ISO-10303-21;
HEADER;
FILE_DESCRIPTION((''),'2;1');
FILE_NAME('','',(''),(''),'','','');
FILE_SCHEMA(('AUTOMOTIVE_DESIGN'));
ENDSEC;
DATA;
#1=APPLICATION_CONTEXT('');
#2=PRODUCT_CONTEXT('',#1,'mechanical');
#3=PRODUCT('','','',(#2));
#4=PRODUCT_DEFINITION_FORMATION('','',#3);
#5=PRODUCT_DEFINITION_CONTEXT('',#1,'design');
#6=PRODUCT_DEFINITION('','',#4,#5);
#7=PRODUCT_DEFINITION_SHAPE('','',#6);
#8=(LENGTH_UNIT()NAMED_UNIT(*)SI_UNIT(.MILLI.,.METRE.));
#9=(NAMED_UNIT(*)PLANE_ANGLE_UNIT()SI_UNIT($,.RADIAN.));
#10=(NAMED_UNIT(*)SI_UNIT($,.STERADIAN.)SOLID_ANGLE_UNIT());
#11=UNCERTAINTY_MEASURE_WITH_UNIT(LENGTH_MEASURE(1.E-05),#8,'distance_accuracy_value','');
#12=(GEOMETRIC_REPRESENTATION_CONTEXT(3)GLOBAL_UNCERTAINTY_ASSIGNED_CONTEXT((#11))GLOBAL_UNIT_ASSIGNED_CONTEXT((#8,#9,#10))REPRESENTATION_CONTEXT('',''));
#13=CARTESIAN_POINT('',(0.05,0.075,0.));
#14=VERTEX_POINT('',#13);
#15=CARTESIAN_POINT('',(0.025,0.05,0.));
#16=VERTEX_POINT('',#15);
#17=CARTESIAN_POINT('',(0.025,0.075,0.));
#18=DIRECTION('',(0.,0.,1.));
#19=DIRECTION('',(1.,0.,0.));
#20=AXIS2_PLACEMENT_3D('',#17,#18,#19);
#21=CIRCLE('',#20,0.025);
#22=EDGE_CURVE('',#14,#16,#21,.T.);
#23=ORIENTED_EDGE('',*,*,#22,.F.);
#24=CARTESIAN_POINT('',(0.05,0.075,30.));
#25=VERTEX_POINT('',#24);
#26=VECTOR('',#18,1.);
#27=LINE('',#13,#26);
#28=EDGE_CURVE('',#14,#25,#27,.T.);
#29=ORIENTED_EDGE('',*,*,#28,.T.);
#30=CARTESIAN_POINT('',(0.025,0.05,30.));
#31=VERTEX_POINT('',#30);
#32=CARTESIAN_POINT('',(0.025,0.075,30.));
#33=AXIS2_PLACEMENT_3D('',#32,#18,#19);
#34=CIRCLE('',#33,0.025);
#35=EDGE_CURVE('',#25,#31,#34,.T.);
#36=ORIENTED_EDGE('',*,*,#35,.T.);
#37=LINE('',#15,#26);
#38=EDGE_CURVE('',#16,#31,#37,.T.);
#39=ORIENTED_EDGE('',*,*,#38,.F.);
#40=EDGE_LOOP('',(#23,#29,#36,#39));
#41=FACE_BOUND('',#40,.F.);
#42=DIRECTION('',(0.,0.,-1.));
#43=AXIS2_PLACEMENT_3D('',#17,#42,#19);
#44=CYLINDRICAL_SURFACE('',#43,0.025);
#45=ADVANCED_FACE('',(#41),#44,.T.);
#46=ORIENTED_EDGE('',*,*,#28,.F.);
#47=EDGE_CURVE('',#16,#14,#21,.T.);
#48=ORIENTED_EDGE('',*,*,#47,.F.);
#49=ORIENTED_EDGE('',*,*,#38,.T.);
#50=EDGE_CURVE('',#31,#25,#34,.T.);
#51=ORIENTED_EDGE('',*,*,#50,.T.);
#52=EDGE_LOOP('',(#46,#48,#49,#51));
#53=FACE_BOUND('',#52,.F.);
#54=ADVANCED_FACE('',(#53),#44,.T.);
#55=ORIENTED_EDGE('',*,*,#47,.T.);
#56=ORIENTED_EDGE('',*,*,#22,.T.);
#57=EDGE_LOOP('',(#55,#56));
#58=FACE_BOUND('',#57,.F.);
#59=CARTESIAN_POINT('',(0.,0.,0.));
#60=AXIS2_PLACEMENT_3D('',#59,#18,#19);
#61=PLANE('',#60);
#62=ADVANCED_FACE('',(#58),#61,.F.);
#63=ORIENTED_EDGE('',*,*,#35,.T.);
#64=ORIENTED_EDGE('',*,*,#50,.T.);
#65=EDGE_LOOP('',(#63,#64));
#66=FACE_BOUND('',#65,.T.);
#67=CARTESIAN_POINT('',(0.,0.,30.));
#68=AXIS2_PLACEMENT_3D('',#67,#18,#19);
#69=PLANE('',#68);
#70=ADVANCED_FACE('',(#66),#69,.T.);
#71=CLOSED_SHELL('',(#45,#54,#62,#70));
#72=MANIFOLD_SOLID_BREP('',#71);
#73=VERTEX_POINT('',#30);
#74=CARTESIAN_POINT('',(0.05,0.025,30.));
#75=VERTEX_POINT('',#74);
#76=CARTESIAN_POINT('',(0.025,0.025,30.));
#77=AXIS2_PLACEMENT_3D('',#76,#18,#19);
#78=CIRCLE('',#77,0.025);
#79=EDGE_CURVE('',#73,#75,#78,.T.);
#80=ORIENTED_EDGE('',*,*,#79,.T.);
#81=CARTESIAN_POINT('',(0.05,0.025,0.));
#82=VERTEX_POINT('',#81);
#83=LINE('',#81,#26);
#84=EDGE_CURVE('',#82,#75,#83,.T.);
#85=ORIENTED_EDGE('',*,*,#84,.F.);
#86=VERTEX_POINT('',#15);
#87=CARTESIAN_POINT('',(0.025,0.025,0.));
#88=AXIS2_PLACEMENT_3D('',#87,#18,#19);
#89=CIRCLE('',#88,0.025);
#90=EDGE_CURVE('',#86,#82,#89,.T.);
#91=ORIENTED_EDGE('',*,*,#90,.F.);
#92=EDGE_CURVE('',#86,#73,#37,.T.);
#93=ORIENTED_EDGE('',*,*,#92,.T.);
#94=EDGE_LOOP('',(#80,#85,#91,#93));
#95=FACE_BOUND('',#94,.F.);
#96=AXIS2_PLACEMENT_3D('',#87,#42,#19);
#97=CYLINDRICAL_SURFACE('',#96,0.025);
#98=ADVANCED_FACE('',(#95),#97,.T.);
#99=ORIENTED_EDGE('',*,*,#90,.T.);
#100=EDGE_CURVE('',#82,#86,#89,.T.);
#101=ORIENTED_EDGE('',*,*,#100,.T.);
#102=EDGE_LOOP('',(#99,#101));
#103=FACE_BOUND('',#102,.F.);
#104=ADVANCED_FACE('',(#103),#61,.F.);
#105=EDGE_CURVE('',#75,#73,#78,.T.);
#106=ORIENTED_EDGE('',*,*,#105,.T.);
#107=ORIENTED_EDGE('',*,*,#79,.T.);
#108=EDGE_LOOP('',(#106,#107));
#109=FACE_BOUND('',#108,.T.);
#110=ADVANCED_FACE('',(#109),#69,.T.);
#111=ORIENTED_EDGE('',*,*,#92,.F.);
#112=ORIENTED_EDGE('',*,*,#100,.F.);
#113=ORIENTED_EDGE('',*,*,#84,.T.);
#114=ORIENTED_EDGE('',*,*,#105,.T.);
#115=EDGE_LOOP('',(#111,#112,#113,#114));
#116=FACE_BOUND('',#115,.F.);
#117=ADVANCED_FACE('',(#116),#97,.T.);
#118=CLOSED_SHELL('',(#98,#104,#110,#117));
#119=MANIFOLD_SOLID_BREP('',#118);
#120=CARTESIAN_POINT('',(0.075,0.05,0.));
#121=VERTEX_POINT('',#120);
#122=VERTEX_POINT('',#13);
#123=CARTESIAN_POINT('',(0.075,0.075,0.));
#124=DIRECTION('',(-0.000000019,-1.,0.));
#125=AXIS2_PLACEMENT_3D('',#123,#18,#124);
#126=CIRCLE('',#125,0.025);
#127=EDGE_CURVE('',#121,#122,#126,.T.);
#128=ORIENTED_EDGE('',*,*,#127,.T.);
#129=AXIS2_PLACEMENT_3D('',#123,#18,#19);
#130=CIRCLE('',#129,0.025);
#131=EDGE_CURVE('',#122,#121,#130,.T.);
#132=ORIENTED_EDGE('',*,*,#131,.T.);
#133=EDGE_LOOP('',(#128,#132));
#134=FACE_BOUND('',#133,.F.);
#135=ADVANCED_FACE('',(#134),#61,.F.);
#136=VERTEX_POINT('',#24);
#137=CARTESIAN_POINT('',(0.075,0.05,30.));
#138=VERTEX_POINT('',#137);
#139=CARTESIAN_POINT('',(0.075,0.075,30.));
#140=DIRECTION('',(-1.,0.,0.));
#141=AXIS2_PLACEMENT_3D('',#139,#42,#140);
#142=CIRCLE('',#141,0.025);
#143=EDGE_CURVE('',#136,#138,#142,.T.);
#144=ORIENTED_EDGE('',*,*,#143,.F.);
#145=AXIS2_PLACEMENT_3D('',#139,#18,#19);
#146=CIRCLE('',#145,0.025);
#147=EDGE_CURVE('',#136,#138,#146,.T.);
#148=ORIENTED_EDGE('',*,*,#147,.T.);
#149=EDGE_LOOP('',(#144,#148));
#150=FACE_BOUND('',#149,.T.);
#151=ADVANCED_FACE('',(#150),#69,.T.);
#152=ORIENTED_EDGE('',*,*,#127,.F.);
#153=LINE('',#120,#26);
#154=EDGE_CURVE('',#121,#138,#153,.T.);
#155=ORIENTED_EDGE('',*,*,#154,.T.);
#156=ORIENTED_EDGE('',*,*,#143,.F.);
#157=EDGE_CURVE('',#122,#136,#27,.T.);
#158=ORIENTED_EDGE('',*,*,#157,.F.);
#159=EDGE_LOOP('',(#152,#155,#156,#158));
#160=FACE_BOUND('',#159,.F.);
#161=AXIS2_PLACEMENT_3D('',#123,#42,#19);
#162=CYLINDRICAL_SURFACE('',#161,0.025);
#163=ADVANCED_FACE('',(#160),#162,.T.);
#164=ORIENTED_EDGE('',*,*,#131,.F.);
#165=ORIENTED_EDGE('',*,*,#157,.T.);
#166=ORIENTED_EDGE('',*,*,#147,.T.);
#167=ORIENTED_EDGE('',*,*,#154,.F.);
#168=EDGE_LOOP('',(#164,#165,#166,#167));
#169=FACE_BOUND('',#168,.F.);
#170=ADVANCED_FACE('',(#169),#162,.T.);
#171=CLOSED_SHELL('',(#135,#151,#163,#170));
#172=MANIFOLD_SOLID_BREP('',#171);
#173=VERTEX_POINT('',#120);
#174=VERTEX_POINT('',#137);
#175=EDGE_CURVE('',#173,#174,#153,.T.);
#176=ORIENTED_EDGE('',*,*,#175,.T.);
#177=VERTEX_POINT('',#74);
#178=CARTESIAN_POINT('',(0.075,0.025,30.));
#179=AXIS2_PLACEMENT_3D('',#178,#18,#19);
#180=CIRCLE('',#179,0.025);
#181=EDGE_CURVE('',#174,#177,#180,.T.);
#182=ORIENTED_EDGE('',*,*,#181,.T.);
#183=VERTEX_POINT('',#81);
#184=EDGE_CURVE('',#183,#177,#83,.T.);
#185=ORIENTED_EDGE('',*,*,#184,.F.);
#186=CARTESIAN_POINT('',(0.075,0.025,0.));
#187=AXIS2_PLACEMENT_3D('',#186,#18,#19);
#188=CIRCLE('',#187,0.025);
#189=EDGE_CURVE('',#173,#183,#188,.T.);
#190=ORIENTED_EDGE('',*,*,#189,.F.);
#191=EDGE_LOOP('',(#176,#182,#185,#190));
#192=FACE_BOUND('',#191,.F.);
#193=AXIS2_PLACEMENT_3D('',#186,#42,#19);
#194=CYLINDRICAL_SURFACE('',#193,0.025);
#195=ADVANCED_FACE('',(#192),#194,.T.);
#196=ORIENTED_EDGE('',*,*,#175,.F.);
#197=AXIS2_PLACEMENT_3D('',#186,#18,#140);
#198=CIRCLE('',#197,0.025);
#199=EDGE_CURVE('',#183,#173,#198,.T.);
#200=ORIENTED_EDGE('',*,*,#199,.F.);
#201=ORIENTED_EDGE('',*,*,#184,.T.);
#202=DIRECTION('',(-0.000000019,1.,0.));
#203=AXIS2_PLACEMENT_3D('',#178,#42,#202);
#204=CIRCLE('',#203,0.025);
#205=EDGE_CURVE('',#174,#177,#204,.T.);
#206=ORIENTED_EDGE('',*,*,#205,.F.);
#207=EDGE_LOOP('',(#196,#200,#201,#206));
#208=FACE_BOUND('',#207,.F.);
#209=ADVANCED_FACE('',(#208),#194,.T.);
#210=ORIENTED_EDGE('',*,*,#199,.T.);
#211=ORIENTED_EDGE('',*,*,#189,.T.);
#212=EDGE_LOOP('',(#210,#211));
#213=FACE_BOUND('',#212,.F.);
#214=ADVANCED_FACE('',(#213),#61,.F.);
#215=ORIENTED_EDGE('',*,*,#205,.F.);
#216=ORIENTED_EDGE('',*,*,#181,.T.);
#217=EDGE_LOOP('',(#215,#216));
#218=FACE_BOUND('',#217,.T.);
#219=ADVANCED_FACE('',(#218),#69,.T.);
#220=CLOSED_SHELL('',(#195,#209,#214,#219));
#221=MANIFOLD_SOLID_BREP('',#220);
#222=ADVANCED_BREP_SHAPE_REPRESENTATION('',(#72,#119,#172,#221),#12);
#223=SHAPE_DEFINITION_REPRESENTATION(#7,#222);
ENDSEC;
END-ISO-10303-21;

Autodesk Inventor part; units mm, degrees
ref_plane "YZ Plane" through (0, 0, 0) normal (1, 0, 0) x (0, 1, 0)
ref_plane "XZ Plane" through (0, 0, 0) normal (0, 1, 0) x (-1, 0, 0)
ref_plane "XY Plane" through (0, 0, 0) normal (0, 0, 1) x (1, 0, 0)
sketch "Sketch2" plane through (0, 0, 0) normal (0, 0, 1) x (1, 0, 0)
  line L0 (0, 0) -> (0.1, 0) construction
  line L1 (0.1, 0) -> (0.1, 0.1)
  line L2 (0.1, 0.1) -> (0, 0.1) construction
  line L3 (0, 0.1) -> (0, 0) construction
  circle A0 centre (0.025, 0.075) radius 0.025
  circle A1 centre (0.075, 0.075) radius 0.025
  circle A2 centre (0.025, 0.025) radius 0.025
  circle A3 centre (0.075, 0.025) radius 0.025
  line L4 (0, 0.05) -> (0.1, 0.05)
  point P0 (0.05, 0.05)
  dimension "d11" = 0.1
  dimension "d12" = 0.1
  dimension "d13" = 0.05
  dimension "d14" = 0.05
  dimension "d16" = 0.05
  dimension "d18" = 0.05
  dimension "d22" = 0.05
  dimension "d23" = 0.05
extrude "Extrusion1" add sketch "Sketch2" along normal blind 30 contours A3 | A2 | A1 | A0
sketch "스케치3" plane through (0, 0, 30) normal (0, 0, 1) x (1, 0, 0)
  arc A0 (0.05, 0.025) -> (0.025, 0.05) centre (0.025, 0.025) ccw construction
  arc A1 (0.025, 0.05) -> (0.05, 0.025) centre (0.025, 0.025) ccw construction
  arc A2 (0.05, 0.075) -> (0.025, 0.05) centre (0.025, 0.075) ccw construction
  arc A3 (0.025, 0.05) -> (0.05, 0.075) centre (0.025, 0.075) ccw construction
  arc A4 (0.075, 0.05) -> (0.05, 0.075) centre (0.075, 0.075) ccw construction
  arc A5 (0.05, 0.075) -> (0.075, 0.05) centre (0.075, 0.075) ccw construction
  arc A6 (0.05, 0.025) -> (0.075, 0.05) centre (0.075, 0.025) ccw construction
  arc A7 (0.075, 0.05) -> (0.05, 0.025) centre (0.075, 0.025) ccw construction
  arc A8 (0.025, 0.05) -> (0.05, 0.075) centre (0.025, 0.075) ccw construction
  arc A9 (0.05, 0.075) -> (0.075, 0.05) centre (0.075, 0.075) ccw construction
  line L0 (0.025, 0.05) -> (0.075, 0.05) construction
  point P0 (0, 0)
  point P1 (0.05, 0.05)
equation "\"d13\" = 0.5 * d12"
equation "\"d14\" = 0.5 * d15"
equation "\"d16\" = 0.5 * d17"
equation "\"d18\" = 0.5 * d19"
equation "\"d15\" = 0.1"
equation "\"d17\" = 0.1"
equation "\"d19\" = 0.1"
properties part number "Tetrode"
